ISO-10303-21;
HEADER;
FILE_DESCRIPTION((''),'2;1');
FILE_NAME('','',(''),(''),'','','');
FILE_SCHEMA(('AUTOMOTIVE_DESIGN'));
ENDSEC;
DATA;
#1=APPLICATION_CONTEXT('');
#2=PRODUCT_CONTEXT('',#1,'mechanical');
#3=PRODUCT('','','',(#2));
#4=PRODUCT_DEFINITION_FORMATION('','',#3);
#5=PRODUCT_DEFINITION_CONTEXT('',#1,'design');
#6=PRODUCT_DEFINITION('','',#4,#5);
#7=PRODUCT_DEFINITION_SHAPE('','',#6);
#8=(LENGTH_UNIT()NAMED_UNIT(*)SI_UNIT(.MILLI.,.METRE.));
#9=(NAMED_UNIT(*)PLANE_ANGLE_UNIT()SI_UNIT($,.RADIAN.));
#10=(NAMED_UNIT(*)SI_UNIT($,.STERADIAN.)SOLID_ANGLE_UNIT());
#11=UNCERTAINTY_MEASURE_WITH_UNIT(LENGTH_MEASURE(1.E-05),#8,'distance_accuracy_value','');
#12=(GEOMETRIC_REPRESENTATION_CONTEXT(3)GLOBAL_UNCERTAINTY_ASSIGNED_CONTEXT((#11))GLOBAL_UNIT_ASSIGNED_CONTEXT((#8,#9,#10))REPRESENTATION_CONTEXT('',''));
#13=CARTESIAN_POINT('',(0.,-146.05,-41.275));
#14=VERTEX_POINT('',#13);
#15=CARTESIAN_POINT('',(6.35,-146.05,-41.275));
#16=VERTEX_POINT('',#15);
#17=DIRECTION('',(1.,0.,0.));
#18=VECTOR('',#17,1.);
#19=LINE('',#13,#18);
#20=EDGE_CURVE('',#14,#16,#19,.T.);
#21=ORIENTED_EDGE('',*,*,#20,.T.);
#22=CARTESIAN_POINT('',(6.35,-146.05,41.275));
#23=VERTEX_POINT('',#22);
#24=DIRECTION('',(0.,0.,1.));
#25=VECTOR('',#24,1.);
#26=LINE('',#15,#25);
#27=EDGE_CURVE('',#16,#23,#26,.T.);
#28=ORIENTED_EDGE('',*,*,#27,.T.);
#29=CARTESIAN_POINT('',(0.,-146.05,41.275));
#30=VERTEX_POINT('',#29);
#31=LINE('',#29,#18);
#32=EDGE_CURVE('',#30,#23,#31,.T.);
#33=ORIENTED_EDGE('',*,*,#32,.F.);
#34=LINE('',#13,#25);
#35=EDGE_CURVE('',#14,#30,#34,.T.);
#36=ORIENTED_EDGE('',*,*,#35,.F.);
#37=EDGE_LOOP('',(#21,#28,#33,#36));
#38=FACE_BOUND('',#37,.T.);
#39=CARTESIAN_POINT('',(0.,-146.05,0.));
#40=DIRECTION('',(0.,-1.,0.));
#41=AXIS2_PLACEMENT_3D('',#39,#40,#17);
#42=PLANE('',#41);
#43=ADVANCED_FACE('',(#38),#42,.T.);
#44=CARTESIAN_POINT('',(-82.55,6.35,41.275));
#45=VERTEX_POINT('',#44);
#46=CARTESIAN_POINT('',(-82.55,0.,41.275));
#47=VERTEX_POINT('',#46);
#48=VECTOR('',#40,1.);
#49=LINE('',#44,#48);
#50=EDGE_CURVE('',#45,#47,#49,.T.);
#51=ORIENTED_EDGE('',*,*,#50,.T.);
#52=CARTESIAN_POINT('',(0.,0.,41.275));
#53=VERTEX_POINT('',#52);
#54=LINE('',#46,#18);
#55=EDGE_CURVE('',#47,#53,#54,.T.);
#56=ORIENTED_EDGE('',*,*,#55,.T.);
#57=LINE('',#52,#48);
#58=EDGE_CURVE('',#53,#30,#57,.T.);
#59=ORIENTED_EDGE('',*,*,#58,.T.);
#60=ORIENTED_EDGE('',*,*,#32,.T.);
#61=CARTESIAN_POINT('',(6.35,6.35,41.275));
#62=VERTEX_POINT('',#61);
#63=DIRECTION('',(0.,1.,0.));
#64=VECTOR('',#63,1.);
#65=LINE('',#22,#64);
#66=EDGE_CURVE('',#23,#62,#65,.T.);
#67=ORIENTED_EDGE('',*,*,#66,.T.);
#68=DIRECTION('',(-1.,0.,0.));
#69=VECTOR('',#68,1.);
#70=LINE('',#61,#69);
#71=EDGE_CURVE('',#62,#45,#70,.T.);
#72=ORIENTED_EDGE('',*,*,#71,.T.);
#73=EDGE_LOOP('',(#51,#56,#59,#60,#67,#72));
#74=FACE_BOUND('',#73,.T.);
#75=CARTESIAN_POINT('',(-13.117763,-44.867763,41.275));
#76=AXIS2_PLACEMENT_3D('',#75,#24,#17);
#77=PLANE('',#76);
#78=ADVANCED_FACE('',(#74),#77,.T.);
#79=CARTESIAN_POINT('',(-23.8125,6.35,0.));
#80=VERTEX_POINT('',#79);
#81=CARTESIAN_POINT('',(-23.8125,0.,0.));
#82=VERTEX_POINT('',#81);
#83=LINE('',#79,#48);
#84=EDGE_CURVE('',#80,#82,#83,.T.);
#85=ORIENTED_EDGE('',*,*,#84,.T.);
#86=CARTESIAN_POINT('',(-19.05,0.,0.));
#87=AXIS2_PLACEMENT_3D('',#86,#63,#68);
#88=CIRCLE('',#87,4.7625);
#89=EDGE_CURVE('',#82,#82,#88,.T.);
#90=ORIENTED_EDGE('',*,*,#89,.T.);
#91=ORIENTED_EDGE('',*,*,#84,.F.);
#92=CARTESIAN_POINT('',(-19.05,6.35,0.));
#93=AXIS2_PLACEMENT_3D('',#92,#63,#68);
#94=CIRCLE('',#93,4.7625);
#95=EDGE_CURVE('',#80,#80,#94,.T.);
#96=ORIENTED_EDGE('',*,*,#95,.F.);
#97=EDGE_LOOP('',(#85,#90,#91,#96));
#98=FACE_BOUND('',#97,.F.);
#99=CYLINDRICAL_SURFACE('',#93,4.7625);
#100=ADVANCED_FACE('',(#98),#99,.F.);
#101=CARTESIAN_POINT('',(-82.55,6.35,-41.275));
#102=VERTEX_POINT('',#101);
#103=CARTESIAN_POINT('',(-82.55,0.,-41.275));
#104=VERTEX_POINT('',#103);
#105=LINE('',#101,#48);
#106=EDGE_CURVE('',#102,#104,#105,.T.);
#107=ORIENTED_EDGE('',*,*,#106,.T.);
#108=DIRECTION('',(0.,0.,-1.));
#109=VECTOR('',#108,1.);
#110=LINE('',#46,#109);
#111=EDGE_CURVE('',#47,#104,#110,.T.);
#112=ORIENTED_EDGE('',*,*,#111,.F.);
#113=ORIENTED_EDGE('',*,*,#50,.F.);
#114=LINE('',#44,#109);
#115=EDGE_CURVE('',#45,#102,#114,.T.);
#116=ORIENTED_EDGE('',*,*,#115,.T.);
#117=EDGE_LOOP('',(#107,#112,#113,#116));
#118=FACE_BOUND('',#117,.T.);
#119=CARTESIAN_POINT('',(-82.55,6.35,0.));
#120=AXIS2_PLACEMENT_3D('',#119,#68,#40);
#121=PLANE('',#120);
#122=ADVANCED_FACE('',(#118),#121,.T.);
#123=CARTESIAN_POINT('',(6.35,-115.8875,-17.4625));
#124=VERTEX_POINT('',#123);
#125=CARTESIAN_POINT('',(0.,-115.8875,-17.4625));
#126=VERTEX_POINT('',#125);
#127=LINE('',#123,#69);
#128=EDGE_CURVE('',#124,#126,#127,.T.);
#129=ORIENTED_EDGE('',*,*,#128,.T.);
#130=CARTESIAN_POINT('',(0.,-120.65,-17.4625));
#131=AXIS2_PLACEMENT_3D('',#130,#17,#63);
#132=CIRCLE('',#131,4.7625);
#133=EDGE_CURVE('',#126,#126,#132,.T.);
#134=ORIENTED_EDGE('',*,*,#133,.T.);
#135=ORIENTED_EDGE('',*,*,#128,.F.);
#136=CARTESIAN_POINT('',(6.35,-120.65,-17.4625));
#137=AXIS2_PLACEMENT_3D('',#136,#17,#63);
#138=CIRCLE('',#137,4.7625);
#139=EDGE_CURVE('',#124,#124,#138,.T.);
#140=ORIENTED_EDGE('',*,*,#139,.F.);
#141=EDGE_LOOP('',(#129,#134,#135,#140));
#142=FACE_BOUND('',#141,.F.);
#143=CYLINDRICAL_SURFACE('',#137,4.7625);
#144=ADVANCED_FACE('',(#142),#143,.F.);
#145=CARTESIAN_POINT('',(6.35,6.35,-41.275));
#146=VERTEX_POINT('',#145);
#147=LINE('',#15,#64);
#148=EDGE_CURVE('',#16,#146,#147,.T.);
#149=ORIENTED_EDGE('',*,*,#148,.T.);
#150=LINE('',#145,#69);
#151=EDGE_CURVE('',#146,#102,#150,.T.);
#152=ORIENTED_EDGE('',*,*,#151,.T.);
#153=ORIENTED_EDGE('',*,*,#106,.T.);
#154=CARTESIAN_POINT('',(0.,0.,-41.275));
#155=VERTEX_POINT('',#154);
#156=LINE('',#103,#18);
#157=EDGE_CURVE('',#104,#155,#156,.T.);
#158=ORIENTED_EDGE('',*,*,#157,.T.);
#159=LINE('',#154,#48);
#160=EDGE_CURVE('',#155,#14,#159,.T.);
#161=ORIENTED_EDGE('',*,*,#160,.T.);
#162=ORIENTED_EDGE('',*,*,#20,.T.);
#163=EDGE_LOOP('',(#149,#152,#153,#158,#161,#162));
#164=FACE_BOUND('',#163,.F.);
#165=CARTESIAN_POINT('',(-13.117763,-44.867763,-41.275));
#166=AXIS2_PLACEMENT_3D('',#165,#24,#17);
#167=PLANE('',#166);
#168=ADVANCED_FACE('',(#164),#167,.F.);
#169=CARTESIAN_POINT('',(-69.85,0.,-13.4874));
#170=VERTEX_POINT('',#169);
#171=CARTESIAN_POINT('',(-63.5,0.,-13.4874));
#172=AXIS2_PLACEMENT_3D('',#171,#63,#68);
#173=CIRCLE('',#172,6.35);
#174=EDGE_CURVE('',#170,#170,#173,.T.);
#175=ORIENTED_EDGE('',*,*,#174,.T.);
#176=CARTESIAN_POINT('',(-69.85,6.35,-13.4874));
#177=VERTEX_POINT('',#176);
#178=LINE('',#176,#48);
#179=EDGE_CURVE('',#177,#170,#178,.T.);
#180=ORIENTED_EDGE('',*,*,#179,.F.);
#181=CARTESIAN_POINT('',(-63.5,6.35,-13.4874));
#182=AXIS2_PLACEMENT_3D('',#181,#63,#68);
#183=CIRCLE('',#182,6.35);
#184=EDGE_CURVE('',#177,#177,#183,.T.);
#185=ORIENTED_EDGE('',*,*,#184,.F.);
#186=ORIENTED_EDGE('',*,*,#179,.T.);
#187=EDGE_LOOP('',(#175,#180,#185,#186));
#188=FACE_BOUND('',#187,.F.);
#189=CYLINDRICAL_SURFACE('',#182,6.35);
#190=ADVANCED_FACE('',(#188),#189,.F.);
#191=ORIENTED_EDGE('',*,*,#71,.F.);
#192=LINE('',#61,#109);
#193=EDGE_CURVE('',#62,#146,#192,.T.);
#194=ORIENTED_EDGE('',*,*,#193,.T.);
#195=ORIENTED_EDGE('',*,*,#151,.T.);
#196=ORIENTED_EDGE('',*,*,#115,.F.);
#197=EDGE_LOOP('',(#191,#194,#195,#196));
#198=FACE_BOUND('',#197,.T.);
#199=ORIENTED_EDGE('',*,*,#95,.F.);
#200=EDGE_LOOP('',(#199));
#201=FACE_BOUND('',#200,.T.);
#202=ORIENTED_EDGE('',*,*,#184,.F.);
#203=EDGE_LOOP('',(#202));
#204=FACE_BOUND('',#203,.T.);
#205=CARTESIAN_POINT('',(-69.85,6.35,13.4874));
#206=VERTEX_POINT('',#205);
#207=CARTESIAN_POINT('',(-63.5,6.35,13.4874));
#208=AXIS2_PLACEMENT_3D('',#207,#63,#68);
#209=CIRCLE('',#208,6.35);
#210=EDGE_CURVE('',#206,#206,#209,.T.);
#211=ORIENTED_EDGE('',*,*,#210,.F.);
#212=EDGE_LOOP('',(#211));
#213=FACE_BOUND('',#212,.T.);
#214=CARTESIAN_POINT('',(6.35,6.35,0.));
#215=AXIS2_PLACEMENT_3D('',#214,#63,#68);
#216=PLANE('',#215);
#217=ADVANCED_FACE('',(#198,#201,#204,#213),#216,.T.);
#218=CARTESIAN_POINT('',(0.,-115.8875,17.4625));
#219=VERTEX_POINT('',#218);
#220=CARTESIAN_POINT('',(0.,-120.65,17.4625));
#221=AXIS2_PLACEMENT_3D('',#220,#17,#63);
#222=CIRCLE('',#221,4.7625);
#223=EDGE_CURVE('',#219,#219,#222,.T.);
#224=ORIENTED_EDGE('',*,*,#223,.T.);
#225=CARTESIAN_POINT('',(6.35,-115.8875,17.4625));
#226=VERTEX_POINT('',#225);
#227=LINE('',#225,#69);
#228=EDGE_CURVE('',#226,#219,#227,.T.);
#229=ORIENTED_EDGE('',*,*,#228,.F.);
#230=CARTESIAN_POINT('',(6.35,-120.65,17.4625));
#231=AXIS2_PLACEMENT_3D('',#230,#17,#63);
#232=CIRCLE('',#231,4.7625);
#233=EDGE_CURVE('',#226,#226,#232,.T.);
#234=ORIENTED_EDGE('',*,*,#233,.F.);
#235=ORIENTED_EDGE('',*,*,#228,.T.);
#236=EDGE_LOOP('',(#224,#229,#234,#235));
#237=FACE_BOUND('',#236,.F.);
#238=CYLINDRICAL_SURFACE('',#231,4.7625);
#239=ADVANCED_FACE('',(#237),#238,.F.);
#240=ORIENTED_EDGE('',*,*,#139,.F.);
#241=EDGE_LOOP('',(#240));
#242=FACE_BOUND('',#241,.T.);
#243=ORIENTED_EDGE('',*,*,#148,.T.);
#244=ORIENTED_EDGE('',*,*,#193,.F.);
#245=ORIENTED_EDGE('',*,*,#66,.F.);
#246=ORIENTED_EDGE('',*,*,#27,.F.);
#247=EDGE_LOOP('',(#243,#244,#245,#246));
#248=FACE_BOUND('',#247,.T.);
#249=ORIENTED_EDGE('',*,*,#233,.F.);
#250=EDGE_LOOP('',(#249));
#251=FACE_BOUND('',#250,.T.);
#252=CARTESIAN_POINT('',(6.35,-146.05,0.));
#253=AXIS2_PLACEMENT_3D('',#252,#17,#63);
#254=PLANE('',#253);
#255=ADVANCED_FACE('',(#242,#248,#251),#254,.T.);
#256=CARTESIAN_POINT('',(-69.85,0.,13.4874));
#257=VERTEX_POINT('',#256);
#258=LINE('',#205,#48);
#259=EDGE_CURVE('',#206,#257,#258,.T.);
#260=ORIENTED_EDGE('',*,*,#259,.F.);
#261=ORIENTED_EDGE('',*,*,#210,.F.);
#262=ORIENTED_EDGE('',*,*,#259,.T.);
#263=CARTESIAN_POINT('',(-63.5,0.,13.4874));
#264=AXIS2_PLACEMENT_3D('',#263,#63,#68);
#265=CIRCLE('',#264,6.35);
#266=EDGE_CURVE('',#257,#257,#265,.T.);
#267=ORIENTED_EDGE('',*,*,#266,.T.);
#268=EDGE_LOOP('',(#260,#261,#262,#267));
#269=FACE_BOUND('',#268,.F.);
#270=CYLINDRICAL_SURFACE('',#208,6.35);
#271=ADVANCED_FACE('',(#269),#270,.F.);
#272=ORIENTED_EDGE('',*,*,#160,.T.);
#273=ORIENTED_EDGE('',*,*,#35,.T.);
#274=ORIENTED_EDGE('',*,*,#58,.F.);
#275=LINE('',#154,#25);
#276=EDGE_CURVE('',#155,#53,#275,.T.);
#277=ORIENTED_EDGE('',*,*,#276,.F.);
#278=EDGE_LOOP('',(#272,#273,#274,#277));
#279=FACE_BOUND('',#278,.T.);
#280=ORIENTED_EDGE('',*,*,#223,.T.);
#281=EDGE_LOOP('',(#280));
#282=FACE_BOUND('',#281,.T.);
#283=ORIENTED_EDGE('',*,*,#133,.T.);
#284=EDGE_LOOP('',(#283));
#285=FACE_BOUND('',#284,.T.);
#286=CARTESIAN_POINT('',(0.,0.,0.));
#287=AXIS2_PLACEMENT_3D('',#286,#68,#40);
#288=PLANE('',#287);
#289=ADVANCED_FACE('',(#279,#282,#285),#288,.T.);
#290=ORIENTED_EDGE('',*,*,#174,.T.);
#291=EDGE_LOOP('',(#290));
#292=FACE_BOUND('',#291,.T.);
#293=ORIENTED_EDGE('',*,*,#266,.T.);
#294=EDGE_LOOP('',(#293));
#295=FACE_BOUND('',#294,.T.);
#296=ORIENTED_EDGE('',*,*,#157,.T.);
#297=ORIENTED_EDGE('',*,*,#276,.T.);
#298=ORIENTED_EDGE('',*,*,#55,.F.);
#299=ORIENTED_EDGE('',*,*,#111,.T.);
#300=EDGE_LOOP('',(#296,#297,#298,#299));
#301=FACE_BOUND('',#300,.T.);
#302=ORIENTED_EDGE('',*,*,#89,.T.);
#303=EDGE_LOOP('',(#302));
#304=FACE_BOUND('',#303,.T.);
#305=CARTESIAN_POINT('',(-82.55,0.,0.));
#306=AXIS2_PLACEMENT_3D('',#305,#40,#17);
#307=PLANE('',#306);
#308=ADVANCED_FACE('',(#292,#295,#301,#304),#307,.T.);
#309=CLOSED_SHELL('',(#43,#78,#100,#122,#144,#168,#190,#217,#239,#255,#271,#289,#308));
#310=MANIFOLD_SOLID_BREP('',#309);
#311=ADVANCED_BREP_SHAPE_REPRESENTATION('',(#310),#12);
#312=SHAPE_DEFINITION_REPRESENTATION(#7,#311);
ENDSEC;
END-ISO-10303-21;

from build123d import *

# Parameters (mm, degrees)
F1_DEPTH = 41.275
F2_R     = 4.7625
F3_DEPTH = 88.901
F4_R     = 6.35
F4_R_2   = 4.7625
F5_DEPTH = 152.401


with BuildPart() as f1:
    # F0 (on Top) → F1 (new body, symmetric)
    with BuildSketch(Plane.XY):
        Polygon((-82.55, 0), (0, 0), (0, -146.05), (6.35, -146.05), (6.35, 6.35), (-82.55, 6.35), align=None)
    extrude(amount=F1_DEPTH, both=True)

    # F2 (on face) → F3 (cut, through all)
    with BuildSketch(Plane.YZ.offset(6.35)):
        with Locations((-120.65, 17.4625)):
            Circle(F2_R)
        with Locations((-120.65, -17.4625)):
            Circle(F2_R)
    extrude(amount=-F3_DEPTH, mode=Mode.SUBTRACT)

    # F4 (on face) → F5 (cut, through all)
    with BuildSketch(Plane(origin=(0, 6.35, 0), x_dir=(-1, 0, 0), z_dir=(0, 1, 0))):
        with Locations((63.5, 13.4874)):
            Circle(F4_R)
        with Locations((63.5, -13.4874)):
            Circle(F4_R)
        with Locations((19.05, 0)):
            Circle(F4_R_2)
    extrude(amount=-F5_DEPTH, mode=Mode.SUBTRACT)


solid = f1.part
